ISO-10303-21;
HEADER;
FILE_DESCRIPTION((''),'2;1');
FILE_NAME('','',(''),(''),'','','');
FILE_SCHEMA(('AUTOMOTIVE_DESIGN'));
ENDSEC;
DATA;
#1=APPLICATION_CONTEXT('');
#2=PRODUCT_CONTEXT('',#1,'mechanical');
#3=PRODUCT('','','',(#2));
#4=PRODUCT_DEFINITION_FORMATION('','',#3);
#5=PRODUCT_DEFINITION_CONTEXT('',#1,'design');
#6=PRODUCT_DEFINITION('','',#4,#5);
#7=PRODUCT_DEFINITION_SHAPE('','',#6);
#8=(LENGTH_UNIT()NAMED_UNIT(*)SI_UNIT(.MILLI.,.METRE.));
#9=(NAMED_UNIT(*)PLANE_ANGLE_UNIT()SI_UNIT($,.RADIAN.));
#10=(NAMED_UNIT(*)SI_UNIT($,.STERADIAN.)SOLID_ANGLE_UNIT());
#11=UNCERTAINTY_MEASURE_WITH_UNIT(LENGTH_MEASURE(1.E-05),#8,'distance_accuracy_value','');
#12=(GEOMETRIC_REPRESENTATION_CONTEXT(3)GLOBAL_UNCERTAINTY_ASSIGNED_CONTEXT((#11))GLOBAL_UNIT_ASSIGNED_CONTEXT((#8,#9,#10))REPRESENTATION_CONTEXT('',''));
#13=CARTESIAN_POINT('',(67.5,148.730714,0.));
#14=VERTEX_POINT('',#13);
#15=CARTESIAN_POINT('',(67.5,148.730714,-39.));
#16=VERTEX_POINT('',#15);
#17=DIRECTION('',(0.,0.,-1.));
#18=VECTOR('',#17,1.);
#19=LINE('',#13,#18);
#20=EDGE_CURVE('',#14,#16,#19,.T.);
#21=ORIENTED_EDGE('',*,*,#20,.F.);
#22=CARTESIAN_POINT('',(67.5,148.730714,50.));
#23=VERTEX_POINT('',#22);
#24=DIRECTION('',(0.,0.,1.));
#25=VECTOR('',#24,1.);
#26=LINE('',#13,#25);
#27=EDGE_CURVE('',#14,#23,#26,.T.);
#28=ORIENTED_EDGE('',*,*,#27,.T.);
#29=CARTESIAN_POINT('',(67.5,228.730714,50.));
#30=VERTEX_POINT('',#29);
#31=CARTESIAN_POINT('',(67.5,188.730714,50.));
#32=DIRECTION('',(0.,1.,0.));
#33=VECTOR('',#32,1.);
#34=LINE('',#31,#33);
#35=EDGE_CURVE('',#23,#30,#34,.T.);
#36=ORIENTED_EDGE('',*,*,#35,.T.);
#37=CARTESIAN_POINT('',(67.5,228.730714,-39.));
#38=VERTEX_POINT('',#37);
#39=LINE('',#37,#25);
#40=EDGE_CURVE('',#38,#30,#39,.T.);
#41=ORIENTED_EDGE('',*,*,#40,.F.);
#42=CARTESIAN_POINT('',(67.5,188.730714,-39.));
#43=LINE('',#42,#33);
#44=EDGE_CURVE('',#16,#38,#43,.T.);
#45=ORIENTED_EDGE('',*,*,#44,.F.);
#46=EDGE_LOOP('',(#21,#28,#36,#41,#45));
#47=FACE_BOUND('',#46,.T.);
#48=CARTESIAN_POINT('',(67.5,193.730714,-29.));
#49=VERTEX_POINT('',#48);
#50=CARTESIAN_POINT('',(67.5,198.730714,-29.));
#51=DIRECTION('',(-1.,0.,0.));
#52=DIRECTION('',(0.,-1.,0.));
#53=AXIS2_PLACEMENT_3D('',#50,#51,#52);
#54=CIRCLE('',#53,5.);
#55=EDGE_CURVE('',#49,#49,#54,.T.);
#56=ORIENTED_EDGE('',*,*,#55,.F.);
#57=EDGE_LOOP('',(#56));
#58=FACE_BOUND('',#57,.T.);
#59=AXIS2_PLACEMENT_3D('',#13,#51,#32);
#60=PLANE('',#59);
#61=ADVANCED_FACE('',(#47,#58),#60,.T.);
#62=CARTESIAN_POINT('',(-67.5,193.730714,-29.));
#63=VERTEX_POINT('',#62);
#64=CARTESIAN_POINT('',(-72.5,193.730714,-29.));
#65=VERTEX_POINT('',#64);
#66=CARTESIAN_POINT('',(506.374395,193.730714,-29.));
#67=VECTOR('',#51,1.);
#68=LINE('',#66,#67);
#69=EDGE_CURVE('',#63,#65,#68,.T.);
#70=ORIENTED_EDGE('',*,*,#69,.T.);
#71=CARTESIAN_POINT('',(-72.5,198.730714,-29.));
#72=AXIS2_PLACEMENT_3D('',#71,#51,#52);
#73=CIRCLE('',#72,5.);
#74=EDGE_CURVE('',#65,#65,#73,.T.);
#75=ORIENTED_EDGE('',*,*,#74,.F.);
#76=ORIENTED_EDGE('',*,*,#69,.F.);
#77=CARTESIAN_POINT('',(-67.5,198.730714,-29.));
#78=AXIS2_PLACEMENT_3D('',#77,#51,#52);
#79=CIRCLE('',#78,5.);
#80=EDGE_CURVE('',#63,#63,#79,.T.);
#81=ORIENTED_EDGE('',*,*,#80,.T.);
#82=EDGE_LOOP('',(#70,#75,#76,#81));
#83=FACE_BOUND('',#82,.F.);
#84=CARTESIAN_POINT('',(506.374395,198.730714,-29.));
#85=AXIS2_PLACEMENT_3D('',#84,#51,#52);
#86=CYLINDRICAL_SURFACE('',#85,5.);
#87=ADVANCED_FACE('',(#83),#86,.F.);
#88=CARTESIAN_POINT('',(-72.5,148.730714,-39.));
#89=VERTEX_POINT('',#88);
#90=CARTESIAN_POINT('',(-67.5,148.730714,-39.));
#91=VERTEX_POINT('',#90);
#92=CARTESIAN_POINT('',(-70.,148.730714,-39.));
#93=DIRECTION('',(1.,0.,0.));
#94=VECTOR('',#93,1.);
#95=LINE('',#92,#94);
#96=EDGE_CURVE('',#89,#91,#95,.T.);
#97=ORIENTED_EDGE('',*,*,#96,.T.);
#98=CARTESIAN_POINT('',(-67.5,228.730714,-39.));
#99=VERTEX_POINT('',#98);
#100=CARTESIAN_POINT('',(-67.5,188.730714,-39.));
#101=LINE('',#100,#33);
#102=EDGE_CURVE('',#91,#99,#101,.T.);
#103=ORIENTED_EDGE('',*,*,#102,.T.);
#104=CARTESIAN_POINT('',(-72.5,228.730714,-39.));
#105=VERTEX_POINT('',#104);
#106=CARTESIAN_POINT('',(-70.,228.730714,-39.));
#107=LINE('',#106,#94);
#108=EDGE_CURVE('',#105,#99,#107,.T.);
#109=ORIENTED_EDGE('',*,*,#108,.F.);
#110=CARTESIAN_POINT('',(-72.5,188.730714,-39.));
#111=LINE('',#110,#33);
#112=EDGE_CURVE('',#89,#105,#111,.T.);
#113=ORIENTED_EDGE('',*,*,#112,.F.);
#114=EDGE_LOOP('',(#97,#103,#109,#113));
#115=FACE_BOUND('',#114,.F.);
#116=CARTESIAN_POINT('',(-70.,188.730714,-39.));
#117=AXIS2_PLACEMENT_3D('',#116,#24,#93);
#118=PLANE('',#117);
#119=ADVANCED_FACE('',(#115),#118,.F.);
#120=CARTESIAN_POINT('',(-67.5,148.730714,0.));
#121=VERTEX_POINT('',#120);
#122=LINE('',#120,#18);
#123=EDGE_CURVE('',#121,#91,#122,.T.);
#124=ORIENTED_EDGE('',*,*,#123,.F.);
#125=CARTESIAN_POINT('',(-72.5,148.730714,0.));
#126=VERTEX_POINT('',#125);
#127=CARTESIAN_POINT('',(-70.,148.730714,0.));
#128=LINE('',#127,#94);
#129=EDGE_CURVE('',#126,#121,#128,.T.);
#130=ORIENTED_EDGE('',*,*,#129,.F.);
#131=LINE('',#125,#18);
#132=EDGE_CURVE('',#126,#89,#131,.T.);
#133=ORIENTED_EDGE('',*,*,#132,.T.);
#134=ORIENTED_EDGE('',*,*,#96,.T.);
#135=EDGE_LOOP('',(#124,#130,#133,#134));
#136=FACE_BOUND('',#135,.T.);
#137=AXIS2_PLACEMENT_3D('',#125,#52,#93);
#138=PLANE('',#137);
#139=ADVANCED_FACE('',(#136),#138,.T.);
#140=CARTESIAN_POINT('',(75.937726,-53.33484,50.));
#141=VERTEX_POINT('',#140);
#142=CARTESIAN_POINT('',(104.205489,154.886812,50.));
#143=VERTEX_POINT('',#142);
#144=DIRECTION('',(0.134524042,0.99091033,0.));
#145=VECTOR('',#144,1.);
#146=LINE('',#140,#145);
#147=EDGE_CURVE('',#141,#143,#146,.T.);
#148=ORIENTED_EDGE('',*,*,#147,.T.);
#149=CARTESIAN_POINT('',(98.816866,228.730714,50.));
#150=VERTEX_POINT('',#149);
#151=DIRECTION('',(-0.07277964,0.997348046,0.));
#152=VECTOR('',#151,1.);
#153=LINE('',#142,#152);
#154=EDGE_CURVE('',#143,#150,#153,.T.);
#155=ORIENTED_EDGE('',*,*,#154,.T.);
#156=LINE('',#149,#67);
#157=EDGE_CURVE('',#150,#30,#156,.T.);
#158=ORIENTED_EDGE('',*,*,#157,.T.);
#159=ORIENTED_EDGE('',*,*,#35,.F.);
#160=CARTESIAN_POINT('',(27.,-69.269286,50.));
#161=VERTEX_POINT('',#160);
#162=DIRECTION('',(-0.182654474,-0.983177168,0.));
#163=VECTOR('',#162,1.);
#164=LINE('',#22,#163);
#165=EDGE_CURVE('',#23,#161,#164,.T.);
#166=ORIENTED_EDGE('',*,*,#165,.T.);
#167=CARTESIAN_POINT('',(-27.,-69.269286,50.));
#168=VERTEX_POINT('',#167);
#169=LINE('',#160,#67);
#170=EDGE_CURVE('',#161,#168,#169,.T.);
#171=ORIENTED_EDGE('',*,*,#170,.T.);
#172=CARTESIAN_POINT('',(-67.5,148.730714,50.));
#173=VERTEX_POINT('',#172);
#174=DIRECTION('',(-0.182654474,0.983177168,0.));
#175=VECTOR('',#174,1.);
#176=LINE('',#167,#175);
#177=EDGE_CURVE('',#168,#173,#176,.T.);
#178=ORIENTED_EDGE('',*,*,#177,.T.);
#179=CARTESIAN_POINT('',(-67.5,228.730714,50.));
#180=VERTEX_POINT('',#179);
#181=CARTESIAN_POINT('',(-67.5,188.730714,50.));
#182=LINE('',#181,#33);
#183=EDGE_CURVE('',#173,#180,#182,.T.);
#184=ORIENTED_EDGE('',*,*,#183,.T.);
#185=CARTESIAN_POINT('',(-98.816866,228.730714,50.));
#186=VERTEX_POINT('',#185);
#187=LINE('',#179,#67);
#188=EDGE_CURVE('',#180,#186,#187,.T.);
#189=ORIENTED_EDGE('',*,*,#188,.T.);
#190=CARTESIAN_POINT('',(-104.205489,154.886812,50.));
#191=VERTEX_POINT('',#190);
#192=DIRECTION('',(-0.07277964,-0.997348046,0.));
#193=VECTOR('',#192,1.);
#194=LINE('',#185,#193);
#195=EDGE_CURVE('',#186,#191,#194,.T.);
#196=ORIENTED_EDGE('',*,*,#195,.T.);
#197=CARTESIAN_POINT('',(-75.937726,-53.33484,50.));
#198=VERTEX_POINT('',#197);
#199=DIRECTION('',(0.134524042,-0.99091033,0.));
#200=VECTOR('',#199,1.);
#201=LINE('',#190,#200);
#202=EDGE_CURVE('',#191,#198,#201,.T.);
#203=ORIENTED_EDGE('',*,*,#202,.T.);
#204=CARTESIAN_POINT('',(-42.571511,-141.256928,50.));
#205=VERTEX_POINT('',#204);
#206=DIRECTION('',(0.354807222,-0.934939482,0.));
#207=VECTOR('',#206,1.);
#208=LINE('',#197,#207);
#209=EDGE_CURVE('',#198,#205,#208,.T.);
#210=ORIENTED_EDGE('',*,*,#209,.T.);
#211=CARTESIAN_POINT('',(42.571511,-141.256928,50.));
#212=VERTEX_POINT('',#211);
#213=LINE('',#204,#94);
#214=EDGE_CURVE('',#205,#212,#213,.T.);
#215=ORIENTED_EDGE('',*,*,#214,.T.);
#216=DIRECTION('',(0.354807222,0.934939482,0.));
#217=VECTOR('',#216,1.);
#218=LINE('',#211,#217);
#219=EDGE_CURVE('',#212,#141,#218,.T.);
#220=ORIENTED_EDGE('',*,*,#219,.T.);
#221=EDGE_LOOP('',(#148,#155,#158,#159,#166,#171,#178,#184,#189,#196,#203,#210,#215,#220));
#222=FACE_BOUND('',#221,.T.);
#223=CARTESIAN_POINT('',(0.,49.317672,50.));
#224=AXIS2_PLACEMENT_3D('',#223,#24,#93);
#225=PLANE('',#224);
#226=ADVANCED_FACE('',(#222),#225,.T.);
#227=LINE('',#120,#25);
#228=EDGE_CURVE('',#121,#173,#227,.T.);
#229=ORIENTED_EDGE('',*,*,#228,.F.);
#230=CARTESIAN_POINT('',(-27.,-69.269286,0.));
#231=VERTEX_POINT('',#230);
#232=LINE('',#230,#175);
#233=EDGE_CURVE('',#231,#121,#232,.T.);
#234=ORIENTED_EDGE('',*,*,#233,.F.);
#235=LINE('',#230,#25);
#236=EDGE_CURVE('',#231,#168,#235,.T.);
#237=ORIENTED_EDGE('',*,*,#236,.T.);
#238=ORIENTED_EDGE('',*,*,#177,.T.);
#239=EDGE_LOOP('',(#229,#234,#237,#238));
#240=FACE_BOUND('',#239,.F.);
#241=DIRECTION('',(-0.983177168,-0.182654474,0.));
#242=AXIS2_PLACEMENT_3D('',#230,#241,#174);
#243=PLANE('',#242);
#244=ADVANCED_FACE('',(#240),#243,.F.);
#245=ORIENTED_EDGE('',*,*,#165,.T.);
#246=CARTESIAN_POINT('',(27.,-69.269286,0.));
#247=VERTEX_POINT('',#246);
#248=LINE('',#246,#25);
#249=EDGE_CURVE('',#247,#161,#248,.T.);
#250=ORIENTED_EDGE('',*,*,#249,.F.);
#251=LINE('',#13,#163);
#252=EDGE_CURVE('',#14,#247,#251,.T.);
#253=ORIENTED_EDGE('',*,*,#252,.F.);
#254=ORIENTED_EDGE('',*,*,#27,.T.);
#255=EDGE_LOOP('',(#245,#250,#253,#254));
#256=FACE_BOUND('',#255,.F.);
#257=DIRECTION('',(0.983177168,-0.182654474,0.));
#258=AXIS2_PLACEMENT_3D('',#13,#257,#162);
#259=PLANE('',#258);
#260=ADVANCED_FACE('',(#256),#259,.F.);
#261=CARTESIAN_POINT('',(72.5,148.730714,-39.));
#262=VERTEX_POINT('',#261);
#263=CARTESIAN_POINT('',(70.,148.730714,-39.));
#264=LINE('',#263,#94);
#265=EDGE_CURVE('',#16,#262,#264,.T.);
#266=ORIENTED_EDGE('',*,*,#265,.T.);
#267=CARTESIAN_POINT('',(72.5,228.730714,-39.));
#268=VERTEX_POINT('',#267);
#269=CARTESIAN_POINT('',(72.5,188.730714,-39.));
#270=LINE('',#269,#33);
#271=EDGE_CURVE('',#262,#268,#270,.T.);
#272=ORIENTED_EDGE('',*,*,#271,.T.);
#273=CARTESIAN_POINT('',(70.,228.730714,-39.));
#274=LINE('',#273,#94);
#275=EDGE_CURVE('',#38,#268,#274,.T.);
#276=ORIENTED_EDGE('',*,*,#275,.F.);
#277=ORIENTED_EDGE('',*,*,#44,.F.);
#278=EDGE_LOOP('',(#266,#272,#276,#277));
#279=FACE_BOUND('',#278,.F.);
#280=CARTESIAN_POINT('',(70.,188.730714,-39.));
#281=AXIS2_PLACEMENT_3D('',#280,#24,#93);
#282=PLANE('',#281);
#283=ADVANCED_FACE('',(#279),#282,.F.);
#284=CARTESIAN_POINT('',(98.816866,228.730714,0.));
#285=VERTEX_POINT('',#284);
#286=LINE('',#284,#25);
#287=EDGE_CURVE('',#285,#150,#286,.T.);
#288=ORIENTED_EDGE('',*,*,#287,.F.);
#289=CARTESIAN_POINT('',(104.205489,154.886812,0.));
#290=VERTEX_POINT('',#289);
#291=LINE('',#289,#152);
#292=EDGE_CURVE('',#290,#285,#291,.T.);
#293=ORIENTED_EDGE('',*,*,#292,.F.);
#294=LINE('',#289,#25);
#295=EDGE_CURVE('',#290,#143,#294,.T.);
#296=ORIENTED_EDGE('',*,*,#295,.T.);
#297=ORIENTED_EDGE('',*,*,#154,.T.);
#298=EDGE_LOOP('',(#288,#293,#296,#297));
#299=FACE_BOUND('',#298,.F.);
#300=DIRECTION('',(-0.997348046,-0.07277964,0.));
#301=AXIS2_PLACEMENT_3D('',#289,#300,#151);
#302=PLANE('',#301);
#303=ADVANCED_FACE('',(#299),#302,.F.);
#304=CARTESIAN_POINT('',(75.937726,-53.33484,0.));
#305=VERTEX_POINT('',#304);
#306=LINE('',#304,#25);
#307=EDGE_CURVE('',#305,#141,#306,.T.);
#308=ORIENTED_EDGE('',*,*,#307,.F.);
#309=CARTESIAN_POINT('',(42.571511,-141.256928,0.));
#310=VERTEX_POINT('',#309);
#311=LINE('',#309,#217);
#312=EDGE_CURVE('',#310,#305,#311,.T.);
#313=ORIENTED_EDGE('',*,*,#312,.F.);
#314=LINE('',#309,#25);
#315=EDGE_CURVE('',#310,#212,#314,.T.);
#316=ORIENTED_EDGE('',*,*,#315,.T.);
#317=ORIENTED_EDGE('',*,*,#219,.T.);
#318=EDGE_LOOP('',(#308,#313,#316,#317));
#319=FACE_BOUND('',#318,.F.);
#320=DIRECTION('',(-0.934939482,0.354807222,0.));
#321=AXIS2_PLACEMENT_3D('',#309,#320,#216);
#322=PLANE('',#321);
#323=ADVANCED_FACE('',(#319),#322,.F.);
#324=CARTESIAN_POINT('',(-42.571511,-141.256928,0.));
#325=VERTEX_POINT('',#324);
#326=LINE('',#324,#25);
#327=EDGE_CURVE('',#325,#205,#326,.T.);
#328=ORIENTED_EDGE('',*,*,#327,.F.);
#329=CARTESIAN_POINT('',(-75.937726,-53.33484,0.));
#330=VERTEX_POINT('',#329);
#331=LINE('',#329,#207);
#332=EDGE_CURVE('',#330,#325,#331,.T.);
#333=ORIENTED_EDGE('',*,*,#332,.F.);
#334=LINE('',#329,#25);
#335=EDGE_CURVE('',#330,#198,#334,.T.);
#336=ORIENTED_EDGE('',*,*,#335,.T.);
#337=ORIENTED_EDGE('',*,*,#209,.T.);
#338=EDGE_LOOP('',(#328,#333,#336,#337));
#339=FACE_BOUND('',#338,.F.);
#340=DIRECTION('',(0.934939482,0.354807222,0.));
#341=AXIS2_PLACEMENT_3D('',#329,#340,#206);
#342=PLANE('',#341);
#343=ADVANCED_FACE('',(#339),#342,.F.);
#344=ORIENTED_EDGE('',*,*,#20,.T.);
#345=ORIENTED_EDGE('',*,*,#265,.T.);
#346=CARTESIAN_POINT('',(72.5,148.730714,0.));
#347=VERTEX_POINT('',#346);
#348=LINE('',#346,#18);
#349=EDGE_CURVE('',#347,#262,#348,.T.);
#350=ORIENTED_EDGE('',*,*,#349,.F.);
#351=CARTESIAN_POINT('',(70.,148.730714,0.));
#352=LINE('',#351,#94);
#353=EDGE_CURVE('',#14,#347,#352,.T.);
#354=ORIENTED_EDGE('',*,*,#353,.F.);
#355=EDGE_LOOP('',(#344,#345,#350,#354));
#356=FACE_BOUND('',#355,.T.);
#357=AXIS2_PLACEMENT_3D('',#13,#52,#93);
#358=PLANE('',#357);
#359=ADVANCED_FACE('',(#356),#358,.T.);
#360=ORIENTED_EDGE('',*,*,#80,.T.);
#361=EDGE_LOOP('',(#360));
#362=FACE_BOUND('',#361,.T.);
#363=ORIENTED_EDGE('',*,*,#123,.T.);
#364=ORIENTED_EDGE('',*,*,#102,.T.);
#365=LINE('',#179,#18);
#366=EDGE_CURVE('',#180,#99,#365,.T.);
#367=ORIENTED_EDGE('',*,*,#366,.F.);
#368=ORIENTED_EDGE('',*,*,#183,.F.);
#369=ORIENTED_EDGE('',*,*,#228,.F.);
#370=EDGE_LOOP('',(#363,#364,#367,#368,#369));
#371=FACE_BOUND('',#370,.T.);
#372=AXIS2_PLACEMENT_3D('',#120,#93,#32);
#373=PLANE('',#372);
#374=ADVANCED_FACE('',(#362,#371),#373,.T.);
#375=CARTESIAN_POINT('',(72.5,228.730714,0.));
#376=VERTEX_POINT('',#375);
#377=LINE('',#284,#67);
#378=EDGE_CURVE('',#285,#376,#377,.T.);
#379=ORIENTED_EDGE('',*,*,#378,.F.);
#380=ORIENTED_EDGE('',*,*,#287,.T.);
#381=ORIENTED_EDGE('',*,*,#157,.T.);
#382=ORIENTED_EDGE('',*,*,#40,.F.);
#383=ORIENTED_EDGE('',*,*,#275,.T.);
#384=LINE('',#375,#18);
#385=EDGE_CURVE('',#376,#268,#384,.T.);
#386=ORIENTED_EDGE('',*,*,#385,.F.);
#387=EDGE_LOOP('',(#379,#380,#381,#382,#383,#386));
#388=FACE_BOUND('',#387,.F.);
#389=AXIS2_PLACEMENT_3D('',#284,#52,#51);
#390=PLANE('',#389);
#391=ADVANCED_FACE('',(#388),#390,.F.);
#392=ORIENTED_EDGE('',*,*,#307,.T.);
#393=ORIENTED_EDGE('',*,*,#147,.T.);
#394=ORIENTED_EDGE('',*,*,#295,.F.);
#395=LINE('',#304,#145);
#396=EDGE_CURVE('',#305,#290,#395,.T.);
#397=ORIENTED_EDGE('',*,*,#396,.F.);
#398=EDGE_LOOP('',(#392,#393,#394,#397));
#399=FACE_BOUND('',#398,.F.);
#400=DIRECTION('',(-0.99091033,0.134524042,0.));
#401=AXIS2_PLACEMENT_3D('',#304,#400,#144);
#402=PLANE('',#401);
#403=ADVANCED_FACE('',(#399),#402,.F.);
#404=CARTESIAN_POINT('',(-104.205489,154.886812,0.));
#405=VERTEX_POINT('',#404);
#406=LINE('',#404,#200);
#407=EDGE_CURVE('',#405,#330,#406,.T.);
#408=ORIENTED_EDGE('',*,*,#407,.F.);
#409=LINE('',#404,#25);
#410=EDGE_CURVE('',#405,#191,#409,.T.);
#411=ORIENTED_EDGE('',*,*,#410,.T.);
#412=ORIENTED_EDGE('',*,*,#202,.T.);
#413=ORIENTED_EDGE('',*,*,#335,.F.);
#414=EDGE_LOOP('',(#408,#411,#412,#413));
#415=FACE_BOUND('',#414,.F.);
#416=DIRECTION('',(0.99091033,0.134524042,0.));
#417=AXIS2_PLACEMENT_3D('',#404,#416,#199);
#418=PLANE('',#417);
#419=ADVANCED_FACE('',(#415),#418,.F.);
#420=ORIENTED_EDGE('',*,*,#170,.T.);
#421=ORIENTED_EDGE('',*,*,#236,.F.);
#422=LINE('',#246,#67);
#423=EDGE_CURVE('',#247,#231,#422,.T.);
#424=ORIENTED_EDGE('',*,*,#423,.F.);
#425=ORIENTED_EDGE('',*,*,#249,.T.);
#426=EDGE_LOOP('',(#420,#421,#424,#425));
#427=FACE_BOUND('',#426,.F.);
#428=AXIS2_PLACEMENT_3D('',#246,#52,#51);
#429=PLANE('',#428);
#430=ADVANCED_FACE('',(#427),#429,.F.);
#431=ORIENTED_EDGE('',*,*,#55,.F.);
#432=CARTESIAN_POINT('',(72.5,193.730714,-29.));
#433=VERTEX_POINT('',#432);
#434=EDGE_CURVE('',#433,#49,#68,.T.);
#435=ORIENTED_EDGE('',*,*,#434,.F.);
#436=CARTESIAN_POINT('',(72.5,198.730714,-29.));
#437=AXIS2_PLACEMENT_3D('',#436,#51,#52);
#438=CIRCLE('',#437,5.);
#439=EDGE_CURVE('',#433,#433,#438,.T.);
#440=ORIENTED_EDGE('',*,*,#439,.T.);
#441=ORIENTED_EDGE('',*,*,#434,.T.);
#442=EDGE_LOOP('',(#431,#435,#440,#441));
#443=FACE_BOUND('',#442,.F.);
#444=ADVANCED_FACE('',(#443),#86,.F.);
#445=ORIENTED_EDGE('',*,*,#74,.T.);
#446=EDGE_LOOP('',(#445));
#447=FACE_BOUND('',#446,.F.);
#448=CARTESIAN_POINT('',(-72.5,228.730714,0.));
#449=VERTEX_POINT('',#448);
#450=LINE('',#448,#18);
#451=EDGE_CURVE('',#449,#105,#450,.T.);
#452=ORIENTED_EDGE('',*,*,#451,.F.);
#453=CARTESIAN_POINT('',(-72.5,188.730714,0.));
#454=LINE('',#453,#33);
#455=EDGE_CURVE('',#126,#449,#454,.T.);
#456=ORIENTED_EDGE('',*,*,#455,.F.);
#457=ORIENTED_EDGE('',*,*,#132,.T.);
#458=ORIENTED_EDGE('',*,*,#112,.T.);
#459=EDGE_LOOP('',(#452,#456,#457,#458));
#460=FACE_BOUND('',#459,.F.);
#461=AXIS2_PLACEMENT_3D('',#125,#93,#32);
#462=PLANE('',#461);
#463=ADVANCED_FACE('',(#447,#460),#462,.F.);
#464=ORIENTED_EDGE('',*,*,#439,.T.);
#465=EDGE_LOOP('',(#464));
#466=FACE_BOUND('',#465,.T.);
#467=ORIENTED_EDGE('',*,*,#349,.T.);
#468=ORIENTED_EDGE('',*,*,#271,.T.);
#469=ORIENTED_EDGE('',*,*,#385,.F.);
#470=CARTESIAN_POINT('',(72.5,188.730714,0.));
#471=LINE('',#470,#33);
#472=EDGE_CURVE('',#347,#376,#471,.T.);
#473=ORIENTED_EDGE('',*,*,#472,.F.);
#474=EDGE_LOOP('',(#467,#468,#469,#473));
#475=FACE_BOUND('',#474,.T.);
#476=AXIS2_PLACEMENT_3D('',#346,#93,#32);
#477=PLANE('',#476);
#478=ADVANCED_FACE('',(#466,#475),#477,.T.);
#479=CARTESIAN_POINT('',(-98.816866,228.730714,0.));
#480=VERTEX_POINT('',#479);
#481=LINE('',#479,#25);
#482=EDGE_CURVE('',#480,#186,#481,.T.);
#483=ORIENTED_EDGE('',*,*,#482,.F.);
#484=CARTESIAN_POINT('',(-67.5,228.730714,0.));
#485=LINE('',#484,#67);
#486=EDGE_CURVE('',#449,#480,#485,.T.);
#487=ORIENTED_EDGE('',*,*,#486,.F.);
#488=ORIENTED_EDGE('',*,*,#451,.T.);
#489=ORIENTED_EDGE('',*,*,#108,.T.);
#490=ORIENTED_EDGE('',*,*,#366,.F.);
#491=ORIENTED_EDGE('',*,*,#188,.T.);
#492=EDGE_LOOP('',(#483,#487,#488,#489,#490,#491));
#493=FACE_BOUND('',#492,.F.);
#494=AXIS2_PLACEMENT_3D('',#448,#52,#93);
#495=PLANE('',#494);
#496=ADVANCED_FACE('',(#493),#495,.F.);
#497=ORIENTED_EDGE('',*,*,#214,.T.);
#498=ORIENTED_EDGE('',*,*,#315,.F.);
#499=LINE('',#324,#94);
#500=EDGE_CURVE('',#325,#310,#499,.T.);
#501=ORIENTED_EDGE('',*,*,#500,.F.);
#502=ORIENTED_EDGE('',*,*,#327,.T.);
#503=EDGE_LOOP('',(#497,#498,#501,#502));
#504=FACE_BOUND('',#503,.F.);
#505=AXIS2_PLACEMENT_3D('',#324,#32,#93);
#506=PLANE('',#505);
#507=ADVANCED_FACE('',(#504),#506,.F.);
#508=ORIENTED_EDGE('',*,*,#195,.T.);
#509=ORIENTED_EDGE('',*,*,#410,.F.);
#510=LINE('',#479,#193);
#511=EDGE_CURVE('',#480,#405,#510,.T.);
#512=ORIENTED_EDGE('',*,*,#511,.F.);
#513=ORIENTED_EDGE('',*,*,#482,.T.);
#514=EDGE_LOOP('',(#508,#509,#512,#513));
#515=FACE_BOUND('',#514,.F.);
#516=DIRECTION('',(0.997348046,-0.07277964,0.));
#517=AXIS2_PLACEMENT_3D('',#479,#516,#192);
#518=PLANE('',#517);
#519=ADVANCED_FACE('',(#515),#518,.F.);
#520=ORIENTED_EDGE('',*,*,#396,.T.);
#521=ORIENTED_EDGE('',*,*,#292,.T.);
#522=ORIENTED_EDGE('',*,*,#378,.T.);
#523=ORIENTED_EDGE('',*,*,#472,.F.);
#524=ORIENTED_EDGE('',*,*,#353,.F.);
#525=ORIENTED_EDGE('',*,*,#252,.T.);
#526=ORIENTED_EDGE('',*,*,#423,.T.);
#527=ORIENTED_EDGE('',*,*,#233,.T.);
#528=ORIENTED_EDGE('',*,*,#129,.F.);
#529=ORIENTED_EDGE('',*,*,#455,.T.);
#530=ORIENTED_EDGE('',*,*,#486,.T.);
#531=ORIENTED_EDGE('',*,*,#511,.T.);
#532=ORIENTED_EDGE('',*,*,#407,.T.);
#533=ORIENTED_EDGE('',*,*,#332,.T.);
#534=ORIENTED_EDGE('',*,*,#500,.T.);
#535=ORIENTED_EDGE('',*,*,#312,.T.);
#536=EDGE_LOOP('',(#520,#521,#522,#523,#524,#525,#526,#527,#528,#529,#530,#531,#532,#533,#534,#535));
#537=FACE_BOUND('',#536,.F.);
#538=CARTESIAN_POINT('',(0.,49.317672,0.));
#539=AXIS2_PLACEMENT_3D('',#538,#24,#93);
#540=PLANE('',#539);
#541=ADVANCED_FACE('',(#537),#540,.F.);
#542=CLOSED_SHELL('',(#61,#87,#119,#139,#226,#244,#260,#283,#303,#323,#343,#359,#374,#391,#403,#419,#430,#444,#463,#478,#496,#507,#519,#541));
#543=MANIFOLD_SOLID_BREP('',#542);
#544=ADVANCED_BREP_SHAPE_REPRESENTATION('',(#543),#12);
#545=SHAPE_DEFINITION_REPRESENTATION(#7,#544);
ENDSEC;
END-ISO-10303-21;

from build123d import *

# Parameters (mm, degrees)
F0_W     = 5
F0_H     = 80
F1_DEPTH = 50
F2_DEPTH = 39
F4_D     = 10


with BuildPart() as f1:
    # F0 (on Top) → F1 (new body)
    with BuildSketch(Plane.XY):
        Polygon((-42.571511, -141.256928), (0, -141.256928), (42.571511, -141.256928), (75.937726, -53.33484), (104.205489, 154.886812), (98.816866, 228.730714), (72.5, 228.730714), (72.5, 148.730714), (67.5, 148.730714), (27, -69.269286), (0, -69.269286), (-27, -69.269286), (-67.5, 148.730714), (-72.5, 148.730714), (-72.5, 228.730714), (-98.816866, 228.730714), (-104.205489, 154.886812), (-75.937726, -53.33484), align=None)
        with Locations((70, 188.730714)):
            Rectangle(F0_W, F0_H)
        with Locations((-70, 188.730714)):
            Rectangle(F0_W, F0_H)
    extrude(amount=F1_DEPTH)

    # F0 (on Top) → F2 (join)
    with BuildSketch(Plane.XY):
        with Locations((-70, 188.730714)):
            Rectangle(F0_W, F0_H)
        with Locations((70, 188.730714)):
            Rectangle(F0_W, F0_H)
    extrude(amount=-F2_DEPTH)

    # F4 (through all)
    with Locations(Plane.YZ.offset(72.5)):
        with Locations((198.730714, -29)):
            Hole(F4_D / 2)


solid = f1.part
